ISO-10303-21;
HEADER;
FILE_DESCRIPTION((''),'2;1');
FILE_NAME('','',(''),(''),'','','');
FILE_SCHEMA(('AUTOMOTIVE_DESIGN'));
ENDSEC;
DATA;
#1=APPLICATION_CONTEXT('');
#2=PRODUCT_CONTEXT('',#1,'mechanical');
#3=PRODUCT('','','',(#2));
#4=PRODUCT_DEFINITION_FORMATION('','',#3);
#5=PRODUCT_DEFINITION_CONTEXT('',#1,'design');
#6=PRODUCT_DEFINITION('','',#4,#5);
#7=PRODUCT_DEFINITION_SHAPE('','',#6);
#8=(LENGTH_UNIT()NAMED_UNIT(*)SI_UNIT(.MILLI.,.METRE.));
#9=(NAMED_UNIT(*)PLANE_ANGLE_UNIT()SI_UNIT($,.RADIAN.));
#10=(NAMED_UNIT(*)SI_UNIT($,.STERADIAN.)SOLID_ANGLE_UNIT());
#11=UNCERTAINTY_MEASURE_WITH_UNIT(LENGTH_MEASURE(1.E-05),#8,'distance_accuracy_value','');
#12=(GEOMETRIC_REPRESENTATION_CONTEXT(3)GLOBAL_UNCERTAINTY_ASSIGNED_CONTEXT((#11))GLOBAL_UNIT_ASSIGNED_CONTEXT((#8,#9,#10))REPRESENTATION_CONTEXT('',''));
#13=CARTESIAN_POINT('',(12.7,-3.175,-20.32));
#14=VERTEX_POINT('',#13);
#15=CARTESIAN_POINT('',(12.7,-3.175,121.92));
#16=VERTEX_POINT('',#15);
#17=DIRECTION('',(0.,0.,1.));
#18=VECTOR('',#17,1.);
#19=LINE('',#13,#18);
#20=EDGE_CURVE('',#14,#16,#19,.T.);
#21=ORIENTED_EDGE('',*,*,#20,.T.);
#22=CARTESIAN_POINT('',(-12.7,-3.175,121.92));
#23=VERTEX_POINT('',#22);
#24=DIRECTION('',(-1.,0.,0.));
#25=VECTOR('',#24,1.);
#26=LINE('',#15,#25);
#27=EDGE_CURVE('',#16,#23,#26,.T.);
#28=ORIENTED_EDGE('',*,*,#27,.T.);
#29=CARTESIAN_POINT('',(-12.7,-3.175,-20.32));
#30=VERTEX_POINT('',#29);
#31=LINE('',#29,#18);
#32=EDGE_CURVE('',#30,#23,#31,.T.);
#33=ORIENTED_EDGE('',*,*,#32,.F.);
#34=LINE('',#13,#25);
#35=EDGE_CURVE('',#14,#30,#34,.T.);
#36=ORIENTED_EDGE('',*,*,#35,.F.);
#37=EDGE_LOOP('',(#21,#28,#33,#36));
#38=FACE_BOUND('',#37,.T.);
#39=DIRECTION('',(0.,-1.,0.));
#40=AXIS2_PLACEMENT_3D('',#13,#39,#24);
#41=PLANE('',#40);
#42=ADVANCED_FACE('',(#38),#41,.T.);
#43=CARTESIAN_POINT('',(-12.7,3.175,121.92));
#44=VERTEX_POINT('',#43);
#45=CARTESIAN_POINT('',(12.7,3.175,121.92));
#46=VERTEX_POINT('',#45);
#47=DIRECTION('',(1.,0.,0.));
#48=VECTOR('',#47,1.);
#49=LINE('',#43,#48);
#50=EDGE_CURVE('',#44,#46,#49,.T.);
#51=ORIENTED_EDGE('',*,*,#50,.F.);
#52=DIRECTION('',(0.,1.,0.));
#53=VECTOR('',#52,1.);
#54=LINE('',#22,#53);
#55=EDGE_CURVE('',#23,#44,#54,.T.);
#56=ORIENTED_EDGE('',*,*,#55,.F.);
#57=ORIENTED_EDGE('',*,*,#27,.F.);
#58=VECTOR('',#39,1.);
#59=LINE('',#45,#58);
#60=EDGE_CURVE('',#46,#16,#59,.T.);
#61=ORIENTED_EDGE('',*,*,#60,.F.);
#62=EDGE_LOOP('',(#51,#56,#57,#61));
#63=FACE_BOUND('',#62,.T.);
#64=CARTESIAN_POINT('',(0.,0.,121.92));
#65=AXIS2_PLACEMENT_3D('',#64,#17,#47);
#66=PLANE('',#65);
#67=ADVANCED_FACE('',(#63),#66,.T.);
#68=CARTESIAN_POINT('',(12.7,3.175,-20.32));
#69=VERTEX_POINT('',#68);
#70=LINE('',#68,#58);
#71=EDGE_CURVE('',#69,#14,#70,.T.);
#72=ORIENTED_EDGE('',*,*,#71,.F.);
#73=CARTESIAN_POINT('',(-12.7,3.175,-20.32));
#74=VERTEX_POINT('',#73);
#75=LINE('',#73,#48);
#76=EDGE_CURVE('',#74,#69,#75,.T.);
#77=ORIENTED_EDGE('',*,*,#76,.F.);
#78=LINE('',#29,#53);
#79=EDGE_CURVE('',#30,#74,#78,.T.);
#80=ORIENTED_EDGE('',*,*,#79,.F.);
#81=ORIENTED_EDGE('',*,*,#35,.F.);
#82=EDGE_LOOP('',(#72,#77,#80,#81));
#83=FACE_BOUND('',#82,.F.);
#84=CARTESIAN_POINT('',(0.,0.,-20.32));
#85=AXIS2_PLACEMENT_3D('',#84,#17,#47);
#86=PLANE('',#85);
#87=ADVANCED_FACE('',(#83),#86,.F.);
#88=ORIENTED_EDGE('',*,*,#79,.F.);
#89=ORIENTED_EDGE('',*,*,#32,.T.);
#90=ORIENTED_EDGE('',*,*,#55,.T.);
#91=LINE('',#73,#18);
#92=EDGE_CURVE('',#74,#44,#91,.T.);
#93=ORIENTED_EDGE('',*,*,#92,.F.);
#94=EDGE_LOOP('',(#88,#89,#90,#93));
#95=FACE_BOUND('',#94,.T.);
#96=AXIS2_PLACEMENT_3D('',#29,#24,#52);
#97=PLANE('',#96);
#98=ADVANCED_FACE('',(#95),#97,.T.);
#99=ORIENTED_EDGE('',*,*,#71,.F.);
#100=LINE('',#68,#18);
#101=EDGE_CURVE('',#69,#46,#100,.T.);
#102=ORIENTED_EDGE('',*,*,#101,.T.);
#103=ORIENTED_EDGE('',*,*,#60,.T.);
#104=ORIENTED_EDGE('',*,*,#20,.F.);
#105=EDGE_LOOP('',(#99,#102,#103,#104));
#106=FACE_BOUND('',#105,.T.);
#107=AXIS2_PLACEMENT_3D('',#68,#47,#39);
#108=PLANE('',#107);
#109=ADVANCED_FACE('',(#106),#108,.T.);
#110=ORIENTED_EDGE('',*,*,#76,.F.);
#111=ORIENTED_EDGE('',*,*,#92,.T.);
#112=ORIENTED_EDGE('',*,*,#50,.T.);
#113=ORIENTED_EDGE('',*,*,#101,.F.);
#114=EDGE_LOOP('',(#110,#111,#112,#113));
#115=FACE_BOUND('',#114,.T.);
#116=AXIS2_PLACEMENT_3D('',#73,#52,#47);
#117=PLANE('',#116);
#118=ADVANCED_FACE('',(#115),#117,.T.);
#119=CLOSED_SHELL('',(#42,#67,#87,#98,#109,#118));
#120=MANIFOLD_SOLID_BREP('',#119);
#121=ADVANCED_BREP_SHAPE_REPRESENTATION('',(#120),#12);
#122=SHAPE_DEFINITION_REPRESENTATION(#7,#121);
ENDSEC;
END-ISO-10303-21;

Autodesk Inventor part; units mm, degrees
ref_plane "Start plane" through (0, 0, -20.32) normal (0, 0, 1) x (1, 0, 0)
ref_plane "End plane" through (0, 0, 121.92) normal (0, 0, 1) x (1, 0, 0)
sketch "Sketch" plane through (0, 0, 0) normal (0, 0, 1) x (1, 0, 0)
  line L0 (12.7, -3.175) -> (-12.7, -3.175)
  line L1 (-12.7, -3.175) -> (-12.7, 3.175)
  line L2 (-12.7, 3.175) -> (12.7, 3.175)
  line L3 (12.7, 3.175) -> (12.7, -3.175)
  line L4 (-6, 0) -> (8, 0) construction
  line L5 (0, -30) -> (0, 40) construction
  line L6 (0, 54) -> (0, -44) construction
  line L7 (-17.78, 0) -> (17.78, 0) construction
  dimension "d0" = 6.35
  dimension "d1" = 25.4
  dimension "d4" = 12.7
  dimension "d5" = 3.175
extrude "Body" add sketch "Sketch" along normal up to surface (142.24 mm away) from surface at -20.32
sketch "Sketch3" plane through (0, 0, 0) normal (0, 0, 1) x (1, 0, 0)
  line L0 (0, 0) -> (10, 0)
ref_plane "Work Plane3" through (0, 0, 0) normal (0, -1, 0) x (1, 0, 0)
sketch "Sketch4" plane through (0, 0, 0) normal (0, -1, 0) x (1, 0, 0)
  line L0 (-2, -20.32) -> (12, -20.32)
  line L1 (-2, 121.92) -> (12, 121.92)
  dimension "d9" = 142.24
ref_plane "Work Plane4" through (0, -23.495, 121.92) normal (0, 0, 1) x (1, 0, 0)
split "Split1" plane through (0, -23.495, 121.92) removes the side toward (0, 0, 1)
ref_plane "Work Plane5" through (0, -146.5913, -20.32) normal (0, 0, -1) x (-1, 0, 0)
split "Split2" plane through (0, -146.5913, -20.32) removes the side toward (0, 0, -1)
equation "\"d0\" = G_W"
equation "\"d1\" = G_H"
equation "\"d4\" = 0.5 * d1"
equation "\"d5\" = 0.5 * d0"
equation "\"d2\" = G_L"
equation "\"G_W\" = 6.35"
equation "\"G_H\" = 25.4"
equation "\"G_L\" = d9"
equation "\"G_OFFSET_START\" = 20.32"
equation "\"G_OFFSET_END\" = 20.32"
equation "\"d6\" = -G_OFFSET_START"
equation "\"d7\" = G_OFFSET_END + B_L"
equation "\"B_L\" = 101.6"
properties part number "AISC - 1/4x1 - 5.6" material "Steel, Mild"
